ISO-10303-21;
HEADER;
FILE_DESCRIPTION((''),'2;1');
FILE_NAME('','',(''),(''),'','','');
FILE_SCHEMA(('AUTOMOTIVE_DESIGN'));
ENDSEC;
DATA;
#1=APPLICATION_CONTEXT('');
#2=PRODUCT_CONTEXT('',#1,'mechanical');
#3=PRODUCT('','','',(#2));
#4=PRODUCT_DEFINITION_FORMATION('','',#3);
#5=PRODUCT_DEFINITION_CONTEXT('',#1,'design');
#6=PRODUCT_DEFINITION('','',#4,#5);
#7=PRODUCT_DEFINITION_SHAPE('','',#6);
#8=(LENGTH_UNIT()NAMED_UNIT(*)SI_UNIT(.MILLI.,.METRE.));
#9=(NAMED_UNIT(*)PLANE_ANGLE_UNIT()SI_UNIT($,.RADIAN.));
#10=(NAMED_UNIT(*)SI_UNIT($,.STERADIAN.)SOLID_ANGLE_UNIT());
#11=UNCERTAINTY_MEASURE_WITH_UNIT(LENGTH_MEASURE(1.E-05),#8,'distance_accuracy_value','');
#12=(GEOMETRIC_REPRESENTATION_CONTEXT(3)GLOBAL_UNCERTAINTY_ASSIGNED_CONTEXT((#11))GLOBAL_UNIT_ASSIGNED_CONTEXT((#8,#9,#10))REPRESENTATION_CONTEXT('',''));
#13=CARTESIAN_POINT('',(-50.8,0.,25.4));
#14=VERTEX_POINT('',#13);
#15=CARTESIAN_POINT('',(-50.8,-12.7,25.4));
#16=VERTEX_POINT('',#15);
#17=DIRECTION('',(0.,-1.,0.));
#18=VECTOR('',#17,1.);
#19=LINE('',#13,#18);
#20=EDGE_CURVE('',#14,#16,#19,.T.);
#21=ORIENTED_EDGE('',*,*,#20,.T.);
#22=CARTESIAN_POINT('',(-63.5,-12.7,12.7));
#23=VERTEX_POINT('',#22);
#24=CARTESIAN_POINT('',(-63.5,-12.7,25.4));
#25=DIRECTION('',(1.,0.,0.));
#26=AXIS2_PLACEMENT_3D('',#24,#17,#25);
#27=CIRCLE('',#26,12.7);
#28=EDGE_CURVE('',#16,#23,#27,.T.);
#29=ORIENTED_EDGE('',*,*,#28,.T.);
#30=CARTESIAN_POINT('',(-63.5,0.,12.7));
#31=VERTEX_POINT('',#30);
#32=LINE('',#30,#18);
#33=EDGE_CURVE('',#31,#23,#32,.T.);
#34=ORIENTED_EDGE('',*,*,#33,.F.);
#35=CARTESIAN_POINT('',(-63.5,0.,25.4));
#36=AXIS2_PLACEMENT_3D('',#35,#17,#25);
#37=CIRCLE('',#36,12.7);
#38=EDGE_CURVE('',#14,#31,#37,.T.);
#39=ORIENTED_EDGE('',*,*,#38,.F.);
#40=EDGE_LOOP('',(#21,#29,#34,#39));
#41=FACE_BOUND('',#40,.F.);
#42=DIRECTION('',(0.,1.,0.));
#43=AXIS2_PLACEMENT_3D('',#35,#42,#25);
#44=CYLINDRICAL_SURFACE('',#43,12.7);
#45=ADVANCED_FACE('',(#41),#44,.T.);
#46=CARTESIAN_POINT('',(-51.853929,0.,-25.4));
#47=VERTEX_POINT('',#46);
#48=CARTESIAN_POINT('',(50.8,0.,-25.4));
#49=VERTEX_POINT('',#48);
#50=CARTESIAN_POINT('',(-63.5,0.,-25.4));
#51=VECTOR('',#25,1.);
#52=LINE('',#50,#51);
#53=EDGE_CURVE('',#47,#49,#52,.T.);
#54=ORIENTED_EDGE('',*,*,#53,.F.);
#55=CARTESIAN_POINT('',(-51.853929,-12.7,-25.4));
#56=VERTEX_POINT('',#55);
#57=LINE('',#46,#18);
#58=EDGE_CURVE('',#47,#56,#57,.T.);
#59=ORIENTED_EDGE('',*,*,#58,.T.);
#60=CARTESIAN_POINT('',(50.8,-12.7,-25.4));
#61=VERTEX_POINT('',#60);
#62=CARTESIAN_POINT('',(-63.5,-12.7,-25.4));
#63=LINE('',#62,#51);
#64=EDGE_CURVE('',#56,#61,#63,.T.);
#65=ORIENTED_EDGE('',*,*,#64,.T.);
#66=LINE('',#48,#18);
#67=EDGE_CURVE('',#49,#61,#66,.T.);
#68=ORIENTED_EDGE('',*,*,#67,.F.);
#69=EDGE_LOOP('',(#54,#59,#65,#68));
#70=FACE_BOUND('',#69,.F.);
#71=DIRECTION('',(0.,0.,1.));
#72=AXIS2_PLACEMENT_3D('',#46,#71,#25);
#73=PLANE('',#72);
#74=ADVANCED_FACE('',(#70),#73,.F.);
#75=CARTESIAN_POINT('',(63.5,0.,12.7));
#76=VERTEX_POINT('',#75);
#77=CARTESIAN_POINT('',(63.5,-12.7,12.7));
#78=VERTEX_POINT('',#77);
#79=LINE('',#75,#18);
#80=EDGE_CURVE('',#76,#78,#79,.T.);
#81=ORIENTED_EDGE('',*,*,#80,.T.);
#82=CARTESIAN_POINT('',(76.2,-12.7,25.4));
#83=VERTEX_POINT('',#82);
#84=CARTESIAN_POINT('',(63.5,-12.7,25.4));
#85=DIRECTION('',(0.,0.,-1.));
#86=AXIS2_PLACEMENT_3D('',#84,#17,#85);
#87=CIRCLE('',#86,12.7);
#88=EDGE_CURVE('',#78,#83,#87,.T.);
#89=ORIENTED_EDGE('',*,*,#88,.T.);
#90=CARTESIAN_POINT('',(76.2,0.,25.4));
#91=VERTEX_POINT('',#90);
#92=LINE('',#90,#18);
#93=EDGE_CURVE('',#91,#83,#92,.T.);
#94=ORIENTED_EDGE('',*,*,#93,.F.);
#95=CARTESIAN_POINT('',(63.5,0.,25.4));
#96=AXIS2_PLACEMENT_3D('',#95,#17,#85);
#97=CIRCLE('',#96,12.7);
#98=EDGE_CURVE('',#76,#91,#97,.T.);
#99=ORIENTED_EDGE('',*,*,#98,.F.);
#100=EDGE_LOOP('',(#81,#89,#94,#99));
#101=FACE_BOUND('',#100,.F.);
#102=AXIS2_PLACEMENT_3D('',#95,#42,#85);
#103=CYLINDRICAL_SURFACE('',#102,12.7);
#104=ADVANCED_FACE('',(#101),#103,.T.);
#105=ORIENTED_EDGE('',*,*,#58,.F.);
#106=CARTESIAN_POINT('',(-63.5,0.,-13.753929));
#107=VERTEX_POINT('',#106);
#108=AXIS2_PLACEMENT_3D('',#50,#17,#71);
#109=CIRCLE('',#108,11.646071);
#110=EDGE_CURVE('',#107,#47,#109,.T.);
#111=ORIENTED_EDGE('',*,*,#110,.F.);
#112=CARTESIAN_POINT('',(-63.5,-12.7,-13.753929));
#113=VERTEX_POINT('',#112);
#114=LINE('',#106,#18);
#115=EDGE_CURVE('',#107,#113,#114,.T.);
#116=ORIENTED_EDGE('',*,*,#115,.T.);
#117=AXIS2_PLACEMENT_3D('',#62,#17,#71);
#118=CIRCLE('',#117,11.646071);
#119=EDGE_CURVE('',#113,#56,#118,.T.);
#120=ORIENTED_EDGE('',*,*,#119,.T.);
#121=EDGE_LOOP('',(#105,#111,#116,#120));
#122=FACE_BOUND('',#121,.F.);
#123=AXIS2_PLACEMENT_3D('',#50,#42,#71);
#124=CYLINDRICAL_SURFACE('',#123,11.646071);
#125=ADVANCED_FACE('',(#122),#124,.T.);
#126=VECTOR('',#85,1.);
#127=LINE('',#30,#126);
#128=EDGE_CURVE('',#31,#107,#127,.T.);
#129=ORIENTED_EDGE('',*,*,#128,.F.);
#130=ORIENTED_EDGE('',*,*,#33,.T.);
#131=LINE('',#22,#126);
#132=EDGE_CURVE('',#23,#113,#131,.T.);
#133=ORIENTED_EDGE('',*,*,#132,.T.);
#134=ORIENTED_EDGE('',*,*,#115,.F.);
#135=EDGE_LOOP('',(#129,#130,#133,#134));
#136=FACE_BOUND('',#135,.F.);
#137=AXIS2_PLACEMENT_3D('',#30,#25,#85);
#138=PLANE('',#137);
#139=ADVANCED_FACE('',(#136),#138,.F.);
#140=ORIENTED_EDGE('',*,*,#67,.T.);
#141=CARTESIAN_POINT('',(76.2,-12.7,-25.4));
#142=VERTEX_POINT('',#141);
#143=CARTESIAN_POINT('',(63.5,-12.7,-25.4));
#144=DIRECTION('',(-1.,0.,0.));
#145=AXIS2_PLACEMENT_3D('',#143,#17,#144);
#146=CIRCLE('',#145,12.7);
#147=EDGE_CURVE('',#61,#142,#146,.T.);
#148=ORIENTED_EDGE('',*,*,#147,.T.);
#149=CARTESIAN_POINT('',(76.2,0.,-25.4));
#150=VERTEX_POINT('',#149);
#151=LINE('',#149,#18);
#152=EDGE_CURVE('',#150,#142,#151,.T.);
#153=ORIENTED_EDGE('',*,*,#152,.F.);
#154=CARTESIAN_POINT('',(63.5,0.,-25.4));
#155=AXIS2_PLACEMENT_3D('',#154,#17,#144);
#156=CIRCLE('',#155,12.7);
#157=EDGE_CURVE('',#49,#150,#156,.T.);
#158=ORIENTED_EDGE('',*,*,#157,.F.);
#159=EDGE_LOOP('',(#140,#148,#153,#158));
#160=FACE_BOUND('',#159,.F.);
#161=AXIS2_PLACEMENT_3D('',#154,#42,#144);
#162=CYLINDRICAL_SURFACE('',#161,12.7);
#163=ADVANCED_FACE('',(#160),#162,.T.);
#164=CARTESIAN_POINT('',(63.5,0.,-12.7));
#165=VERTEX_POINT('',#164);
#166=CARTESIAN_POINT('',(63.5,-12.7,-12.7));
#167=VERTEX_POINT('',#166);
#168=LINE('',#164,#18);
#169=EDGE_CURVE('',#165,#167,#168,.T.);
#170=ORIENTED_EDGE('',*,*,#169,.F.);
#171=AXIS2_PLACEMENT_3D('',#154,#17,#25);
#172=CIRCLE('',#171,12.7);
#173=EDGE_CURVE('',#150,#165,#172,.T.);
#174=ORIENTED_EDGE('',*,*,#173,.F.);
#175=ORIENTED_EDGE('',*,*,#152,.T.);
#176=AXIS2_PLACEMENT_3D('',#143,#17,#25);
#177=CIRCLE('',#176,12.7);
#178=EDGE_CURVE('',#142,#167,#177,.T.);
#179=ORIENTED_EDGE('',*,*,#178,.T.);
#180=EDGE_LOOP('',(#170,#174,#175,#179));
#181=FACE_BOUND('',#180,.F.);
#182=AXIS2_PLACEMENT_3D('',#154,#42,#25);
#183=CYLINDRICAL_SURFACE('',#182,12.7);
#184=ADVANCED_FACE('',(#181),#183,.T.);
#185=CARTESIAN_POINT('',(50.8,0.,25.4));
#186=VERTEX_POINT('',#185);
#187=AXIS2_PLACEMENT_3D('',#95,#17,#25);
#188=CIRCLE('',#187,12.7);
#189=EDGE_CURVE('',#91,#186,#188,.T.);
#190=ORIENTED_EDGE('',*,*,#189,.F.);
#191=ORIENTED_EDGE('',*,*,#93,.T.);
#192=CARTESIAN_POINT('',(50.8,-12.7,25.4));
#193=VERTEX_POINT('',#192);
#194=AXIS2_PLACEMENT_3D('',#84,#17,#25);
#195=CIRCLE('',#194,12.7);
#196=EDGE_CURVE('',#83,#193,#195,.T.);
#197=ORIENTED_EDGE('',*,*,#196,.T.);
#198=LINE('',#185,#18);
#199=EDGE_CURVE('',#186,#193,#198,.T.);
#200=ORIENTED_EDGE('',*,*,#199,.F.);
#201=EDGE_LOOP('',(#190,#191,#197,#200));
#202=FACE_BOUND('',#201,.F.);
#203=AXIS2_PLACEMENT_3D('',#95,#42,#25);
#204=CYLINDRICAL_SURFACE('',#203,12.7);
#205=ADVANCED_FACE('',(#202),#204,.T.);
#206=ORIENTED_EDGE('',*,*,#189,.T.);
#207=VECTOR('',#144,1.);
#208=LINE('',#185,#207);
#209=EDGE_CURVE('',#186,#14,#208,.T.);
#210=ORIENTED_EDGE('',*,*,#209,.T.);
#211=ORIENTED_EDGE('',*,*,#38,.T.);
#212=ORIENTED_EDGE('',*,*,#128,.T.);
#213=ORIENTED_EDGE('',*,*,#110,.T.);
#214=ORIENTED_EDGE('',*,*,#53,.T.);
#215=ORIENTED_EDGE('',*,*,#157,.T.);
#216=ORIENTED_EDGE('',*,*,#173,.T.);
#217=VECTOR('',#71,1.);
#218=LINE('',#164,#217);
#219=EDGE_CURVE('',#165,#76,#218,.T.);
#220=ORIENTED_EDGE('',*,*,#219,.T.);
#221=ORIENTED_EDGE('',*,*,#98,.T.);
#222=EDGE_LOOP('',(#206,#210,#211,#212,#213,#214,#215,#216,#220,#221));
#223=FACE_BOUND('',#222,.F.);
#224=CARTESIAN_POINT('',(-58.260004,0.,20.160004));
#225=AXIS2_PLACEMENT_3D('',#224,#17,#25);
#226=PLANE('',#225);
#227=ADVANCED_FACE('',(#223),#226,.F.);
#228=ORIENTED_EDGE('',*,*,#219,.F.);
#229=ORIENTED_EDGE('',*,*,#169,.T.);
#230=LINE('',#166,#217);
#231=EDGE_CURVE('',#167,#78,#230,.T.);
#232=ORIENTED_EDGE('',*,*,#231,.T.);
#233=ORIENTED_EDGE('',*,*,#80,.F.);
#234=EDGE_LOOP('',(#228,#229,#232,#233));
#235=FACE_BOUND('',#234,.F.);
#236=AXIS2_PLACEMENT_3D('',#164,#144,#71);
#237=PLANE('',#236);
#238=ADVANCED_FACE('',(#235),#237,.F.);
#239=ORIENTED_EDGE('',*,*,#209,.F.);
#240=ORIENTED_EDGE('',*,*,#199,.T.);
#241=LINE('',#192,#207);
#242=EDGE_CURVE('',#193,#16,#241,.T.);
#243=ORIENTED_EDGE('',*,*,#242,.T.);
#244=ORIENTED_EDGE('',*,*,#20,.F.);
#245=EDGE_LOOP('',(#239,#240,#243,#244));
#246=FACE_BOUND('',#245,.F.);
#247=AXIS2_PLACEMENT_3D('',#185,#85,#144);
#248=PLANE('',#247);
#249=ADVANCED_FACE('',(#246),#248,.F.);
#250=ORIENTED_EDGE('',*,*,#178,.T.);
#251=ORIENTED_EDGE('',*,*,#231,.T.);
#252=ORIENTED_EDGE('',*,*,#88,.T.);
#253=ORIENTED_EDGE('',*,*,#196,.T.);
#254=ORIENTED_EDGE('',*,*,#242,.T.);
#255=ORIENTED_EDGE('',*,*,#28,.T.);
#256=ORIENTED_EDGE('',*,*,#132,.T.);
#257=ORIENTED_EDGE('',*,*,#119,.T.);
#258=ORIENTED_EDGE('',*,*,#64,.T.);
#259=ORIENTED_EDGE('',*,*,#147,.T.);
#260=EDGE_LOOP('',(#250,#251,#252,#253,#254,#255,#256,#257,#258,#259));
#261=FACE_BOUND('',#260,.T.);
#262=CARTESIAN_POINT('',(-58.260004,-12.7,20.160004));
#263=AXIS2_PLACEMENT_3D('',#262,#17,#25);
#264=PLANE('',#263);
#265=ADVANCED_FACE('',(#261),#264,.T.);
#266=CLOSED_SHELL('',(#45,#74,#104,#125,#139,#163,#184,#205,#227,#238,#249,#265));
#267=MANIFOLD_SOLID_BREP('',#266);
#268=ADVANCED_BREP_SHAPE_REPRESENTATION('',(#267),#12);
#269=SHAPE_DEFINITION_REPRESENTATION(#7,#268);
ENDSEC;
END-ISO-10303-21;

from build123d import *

# Parameters (mm, degrees)
F1_DEPTH = 12.7


with BuildPart() as f1:
    # F0 (on Front) → F1 (new body)
    with BuildSketch(Plane.XZ):
        with BuildLine():
            ThreePointArc((-63.5, 12.7), (-54.5197438789, 16.4197438789), (-50.8, 25.4))
            Line((-50.8, 25.4), (-63.5, 25.4))
            Line((-63.5, 25.4), (-63.5, 12.7))
        make_face()
        with BuildLine():
            Line((-63.5, 25.4), (-50.8, 25.4))
            ThreePointArc((-50.8, 25.4), (-72.4802561211, 34.3802561211), (-63.5, 12.7))
            Line((-63.5, 12.7), (-63.5, 25.4))
        make_face()
        with BuildLine():
            Line((50.8, 25.4), (-50.8, 25.4))
            ThreePointArc((-50.8, 25.4), (-54.5197438789, 16.4197438789), (-63.5, 12.7))
            Line((-63.5, 12.7), (-63.5, -13.7539286115))
            ThreePointArc((-63.5, -13.7539286115), (-55.264983947, -17.164983947), (-51.8539286115, -25.4))
            Line((-51.8539286115, -25.4), (50.8, -25.4))
            ThreePointArc((50.8, -25.4), (54.5197438789, -16.4197438789), (63.5, -12.7))
            Line((63.5, -12.7), (63.5, 12.7))
            ThreePointArc((63.5, 12.7), (54.5197438789, 16.4197438789), (50.8, 25.4))
        make_face()
        with BuildLine():
            ThreePointArc((76.2, 25.4), (63.5, 38.1), (50.8, 25.4))
            Line((50.8, 25.4), (63.5, 25.4))
            Line((63.5, 25.4), (63.5, 12.7))
            ThreePointArc((63.5, 12.7), (72.4802561211, 16.4197438789), (76.2, 25.4))
        make_face()
        with BuildLine():
            Line((63.5, 25.4), (50.8, 25.4))
            ThreePointArc((50.8, 25.4), (54.5197438789, 16.4197438789), (63.5, 12.7))
            Line((63.5, 12.7), (63.5, 25.4))
        make_face()
        with BuildLine():
            ThreePointArc((-51.8539286115, -25.4), (-55.264983947, -17.164983947), (-63.5, -13.7539286115))
            Line((-63.5, -13.7539286115), (-63.5, -25.4))
            Line((-63.5, -25.4), (-51.8539286115, -25.4))
        make_face()
        with BuildLine():
            Line((-63.5, -25.4), (-63.5, -13.7539286115))
            ThreePointArc((-63.5, -13.7539286115), (-71.735016053, -33.635016053), (-51.8539286115, -25.4))
            Line((-51.8539286115, -25.4), (-63.5, -25.4))
        make_face()
        with BuildLine():
            ThreePointArc((76.2, -25.4), (72.4802561211, -16.4197438789), (63.5, -12.7))
            Line((63.5, -12.7), (63.5, -25.4))
            Line((63.5, -25.4), (50.8, -25.4))
            ThreePointArc((50.8, -25.4), (63.5, -38.1), (76.2, -25.4))
        make_face()
        with BuildLine():
            Line((63.5, -25.4), (63.5, -12.7))
            ThreePointArc((63.5, -12.7), (54.5197438789, -16.4197438789), (50.8, -25.4))
            Line((50.8, -25.4), (63.5, -25.4))
        make_face()
    extrude(amount=F1_DEPTH)


solid = f1.part
